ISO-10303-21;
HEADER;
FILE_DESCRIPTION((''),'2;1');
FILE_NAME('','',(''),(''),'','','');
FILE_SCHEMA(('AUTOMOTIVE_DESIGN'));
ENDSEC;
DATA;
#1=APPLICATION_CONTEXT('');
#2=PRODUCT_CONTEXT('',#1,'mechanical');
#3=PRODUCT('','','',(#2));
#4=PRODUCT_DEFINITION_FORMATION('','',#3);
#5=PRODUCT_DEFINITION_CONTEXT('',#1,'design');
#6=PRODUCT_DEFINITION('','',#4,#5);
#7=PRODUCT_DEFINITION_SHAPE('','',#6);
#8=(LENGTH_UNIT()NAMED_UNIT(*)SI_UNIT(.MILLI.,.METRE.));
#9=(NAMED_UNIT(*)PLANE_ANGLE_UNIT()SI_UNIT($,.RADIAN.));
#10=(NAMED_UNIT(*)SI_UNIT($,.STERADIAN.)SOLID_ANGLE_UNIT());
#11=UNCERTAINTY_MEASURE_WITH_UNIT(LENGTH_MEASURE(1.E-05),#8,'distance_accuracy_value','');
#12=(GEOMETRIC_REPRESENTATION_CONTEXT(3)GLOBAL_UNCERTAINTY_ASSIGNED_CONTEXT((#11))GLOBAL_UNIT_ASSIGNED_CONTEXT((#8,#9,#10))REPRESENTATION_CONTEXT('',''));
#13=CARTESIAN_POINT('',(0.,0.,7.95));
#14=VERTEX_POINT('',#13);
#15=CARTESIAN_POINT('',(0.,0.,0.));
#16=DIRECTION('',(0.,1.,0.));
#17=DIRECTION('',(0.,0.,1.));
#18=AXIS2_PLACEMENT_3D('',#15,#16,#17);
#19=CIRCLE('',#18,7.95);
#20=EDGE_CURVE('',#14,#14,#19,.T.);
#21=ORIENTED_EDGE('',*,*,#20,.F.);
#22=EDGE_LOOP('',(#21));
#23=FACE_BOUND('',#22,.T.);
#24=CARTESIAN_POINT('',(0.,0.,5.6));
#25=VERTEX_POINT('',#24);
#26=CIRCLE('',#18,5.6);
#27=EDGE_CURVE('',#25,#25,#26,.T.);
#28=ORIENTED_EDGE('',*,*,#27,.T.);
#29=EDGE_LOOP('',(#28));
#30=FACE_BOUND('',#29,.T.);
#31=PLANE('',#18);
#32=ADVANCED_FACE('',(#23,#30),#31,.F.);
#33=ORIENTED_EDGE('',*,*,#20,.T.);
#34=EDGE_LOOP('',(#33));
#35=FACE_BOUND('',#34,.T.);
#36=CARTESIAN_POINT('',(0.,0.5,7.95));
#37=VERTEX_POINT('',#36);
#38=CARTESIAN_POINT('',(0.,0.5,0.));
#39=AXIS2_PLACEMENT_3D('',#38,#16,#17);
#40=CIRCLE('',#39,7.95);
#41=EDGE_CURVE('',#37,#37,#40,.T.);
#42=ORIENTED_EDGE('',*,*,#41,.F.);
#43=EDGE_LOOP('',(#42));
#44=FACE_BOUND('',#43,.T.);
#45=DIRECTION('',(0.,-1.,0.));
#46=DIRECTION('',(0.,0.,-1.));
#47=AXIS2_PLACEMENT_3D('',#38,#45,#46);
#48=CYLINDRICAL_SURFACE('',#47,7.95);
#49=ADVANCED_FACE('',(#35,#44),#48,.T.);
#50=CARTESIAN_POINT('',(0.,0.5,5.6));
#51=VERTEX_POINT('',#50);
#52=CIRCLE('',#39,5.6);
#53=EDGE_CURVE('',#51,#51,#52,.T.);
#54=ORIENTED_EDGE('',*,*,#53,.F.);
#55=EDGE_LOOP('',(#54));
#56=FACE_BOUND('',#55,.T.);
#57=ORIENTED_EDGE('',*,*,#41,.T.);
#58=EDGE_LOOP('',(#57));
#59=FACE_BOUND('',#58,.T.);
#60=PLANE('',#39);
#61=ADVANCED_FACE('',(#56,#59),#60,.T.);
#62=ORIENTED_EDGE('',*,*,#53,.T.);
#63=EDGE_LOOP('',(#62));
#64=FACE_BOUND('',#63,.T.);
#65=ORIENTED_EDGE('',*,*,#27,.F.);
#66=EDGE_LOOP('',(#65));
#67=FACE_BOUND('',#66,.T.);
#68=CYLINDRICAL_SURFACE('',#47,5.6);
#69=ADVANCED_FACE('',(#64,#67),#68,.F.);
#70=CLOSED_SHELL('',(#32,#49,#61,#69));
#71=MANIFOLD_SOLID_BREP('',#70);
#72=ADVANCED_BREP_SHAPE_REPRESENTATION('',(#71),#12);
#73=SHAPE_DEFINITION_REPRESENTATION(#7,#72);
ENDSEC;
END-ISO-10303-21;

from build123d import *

# Parameters (mm, degrees)
SKIZZE1_R                       = 7.95
SKIZZE1_R_2                     = 5.6
AUFSATZ_LINEAR_AUSTRAGEN1_DEPTH = 0.5


with BuildPart() as part:
    # Skizze1 → Aufsatz-Linear austragen1 (new body)
    with BuildSketch(Plane(origin=(0, 0, 0), x_dir=(1, 0, 0), z_dir=(0, 1, 0))):
        with Locations(Location((0, 0, 0), (0, 0, 270))):
            Circle(SKIZZE1_R)
        with Locations(Location((0, 0, 0), (0, 0, 270))):
            Circle(SKIZZE1_R_2, mode=Mode.SUBTRACT)
    extrude(amount=AUFSATZ_LINEAR_AUSTRAGEN1_DEPTH)


solid = part.part
